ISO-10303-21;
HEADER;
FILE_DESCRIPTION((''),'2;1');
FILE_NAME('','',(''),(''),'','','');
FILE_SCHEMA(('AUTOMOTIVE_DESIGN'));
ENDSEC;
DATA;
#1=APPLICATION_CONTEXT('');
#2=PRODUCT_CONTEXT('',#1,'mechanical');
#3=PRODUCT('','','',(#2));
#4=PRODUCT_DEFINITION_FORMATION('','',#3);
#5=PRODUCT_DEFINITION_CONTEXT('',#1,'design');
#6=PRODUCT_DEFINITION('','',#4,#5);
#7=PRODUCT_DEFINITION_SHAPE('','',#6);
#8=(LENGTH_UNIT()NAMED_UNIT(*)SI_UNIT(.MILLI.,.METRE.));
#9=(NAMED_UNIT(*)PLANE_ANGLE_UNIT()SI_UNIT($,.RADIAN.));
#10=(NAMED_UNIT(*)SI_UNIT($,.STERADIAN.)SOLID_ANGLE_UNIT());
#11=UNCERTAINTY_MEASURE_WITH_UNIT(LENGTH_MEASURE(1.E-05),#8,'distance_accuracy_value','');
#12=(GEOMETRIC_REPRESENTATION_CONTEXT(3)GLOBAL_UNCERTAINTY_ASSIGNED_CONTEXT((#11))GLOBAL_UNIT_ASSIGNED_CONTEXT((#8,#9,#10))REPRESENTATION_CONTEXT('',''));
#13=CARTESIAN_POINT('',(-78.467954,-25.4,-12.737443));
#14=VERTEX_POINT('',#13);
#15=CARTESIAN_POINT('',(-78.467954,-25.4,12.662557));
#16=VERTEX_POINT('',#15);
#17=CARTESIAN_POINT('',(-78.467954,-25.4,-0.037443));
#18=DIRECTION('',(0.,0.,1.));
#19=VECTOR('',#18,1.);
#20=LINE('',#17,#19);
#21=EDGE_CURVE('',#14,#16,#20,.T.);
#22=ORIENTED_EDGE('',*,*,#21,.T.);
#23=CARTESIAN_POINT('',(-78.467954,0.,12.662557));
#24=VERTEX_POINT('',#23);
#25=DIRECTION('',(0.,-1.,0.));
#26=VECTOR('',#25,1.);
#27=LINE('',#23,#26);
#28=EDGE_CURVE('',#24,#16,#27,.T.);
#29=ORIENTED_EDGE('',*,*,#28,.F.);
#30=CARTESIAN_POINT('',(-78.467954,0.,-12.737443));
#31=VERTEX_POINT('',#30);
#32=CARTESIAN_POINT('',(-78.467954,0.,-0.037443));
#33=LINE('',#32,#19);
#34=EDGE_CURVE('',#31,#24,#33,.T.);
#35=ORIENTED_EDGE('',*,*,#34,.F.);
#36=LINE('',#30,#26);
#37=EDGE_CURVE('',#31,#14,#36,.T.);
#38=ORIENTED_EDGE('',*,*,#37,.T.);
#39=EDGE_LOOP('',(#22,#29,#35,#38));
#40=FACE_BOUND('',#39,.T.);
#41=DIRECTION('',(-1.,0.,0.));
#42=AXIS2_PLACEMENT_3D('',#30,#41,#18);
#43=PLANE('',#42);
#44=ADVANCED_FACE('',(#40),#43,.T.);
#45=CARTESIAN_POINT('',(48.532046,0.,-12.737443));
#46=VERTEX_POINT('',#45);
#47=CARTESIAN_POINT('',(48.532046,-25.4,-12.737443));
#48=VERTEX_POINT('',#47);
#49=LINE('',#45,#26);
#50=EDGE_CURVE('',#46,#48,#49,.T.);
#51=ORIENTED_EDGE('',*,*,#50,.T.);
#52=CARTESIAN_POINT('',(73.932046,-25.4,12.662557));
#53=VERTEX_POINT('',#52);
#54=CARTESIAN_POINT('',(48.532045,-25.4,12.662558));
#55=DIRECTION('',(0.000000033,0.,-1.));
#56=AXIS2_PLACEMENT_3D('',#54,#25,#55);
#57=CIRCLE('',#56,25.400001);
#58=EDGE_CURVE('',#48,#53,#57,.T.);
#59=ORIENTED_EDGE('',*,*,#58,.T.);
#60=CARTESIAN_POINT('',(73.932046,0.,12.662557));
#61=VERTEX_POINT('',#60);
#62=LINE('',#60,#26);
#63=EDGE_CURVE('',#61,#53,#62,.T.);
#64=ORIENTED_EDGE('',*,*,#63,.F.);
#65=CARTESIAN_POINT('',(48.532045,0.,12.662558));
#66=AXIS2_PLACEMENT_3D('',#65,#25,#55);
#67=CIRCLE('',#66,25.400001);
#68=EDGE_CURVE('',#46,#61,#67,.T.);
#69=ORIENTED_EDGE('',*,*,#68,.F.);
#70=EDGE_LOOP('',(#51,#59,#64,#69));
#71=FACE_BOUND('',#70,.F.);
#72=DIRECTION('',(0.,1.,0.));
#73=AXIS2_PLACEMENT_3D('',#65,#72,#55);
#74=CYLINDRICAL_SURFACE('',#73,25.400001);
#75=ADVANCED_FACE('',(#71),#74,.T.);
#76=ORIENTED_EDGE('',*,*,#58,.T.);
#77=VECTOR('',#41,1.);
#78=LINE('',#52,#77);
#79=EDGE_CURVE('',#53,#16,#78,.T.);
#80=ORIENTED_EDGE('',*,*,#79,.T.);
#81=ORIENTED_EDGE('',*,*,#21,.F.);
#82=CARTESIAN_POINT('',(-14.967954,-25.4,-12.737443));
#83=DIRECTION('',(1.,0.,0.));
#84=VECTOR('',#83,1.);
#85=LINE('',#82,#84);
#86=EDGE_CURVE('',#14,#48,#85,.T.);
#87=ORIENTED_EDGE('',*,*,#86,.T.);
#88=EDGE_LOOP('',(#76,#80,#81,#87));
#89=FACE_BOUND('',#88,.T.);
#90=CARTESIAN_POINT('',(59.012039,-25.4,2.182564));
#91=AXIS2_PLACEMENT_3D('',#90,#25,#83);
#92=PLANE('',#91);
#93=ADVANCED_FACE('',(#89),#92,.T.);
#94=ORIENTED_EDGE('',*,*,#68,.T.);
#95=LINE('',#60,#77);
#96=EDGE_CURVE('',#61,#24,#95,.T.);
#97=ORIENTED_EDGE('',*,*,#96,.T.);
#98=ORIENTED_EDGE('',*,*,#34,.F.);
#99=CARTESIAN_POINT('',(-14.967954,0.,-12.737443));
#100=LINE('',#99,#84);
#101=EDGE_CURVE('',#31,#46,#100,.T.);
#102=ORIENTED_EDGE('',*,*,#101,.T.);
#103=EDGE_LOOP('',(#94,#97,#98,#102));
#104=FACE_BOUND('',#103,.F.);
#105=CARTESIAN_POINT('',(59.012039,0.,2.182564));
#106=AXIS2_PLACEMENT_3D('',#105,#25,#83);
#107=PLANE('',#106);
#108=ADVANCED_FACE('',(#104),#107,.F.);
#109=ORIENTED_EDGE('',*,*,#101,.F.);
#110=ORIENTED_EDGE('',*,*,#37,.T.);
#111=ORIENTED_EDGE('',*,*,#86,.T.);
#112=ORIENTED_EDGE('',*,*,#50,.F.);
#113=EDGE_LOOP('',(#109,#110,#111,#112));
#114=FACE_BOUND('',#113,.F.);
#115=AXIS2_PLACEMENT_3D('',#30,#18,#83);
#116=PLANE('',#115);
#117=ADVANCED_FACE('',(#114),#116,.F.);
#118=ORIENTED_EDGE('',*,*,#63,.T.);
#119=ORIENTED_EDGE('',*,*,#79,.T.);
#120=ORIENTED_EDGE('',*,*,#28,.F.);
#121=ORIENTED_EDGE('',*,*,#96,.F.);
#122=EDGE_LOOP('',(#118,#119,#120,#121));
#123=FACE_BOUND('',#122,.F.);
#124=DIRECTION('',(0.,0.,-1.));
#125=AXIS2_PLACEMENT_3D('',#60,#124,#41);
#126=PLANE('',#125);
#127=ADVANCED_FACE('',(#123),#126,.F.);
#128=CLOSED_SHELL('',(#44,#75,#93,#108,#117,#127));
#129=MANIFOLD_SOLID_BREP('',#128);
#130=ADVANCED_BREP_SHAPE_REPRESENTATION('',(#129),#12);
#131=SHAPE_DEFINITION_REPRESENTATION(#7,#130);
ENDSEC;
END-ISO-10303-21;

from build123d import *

# Parameters (mm, degrees)
F0_W     = 127
F0_H     = 25.4
F1_DEPTH = 25.4


with BuildPart() as f1:
    # F0 (on Front) → F1 (new body)
    with BuildSketch(Plane.XZ):
        with BuildLine():
            Line((73.932046, 12.662557), (48.532046, 12.662557))
            Line((48.532046, 12.662557), (48.532046, -12.737443))
            ThreePointArc((48.532046, -12.737443), (66.492558, -5.297955), (73.932046, 12.662557))
        make_face()
        with Locations((-14.967954, -0.037443)):
            Rectangle(F0_W, F0_H)
    extrude(amount=F1_DEPTH)


solid = f1.part
